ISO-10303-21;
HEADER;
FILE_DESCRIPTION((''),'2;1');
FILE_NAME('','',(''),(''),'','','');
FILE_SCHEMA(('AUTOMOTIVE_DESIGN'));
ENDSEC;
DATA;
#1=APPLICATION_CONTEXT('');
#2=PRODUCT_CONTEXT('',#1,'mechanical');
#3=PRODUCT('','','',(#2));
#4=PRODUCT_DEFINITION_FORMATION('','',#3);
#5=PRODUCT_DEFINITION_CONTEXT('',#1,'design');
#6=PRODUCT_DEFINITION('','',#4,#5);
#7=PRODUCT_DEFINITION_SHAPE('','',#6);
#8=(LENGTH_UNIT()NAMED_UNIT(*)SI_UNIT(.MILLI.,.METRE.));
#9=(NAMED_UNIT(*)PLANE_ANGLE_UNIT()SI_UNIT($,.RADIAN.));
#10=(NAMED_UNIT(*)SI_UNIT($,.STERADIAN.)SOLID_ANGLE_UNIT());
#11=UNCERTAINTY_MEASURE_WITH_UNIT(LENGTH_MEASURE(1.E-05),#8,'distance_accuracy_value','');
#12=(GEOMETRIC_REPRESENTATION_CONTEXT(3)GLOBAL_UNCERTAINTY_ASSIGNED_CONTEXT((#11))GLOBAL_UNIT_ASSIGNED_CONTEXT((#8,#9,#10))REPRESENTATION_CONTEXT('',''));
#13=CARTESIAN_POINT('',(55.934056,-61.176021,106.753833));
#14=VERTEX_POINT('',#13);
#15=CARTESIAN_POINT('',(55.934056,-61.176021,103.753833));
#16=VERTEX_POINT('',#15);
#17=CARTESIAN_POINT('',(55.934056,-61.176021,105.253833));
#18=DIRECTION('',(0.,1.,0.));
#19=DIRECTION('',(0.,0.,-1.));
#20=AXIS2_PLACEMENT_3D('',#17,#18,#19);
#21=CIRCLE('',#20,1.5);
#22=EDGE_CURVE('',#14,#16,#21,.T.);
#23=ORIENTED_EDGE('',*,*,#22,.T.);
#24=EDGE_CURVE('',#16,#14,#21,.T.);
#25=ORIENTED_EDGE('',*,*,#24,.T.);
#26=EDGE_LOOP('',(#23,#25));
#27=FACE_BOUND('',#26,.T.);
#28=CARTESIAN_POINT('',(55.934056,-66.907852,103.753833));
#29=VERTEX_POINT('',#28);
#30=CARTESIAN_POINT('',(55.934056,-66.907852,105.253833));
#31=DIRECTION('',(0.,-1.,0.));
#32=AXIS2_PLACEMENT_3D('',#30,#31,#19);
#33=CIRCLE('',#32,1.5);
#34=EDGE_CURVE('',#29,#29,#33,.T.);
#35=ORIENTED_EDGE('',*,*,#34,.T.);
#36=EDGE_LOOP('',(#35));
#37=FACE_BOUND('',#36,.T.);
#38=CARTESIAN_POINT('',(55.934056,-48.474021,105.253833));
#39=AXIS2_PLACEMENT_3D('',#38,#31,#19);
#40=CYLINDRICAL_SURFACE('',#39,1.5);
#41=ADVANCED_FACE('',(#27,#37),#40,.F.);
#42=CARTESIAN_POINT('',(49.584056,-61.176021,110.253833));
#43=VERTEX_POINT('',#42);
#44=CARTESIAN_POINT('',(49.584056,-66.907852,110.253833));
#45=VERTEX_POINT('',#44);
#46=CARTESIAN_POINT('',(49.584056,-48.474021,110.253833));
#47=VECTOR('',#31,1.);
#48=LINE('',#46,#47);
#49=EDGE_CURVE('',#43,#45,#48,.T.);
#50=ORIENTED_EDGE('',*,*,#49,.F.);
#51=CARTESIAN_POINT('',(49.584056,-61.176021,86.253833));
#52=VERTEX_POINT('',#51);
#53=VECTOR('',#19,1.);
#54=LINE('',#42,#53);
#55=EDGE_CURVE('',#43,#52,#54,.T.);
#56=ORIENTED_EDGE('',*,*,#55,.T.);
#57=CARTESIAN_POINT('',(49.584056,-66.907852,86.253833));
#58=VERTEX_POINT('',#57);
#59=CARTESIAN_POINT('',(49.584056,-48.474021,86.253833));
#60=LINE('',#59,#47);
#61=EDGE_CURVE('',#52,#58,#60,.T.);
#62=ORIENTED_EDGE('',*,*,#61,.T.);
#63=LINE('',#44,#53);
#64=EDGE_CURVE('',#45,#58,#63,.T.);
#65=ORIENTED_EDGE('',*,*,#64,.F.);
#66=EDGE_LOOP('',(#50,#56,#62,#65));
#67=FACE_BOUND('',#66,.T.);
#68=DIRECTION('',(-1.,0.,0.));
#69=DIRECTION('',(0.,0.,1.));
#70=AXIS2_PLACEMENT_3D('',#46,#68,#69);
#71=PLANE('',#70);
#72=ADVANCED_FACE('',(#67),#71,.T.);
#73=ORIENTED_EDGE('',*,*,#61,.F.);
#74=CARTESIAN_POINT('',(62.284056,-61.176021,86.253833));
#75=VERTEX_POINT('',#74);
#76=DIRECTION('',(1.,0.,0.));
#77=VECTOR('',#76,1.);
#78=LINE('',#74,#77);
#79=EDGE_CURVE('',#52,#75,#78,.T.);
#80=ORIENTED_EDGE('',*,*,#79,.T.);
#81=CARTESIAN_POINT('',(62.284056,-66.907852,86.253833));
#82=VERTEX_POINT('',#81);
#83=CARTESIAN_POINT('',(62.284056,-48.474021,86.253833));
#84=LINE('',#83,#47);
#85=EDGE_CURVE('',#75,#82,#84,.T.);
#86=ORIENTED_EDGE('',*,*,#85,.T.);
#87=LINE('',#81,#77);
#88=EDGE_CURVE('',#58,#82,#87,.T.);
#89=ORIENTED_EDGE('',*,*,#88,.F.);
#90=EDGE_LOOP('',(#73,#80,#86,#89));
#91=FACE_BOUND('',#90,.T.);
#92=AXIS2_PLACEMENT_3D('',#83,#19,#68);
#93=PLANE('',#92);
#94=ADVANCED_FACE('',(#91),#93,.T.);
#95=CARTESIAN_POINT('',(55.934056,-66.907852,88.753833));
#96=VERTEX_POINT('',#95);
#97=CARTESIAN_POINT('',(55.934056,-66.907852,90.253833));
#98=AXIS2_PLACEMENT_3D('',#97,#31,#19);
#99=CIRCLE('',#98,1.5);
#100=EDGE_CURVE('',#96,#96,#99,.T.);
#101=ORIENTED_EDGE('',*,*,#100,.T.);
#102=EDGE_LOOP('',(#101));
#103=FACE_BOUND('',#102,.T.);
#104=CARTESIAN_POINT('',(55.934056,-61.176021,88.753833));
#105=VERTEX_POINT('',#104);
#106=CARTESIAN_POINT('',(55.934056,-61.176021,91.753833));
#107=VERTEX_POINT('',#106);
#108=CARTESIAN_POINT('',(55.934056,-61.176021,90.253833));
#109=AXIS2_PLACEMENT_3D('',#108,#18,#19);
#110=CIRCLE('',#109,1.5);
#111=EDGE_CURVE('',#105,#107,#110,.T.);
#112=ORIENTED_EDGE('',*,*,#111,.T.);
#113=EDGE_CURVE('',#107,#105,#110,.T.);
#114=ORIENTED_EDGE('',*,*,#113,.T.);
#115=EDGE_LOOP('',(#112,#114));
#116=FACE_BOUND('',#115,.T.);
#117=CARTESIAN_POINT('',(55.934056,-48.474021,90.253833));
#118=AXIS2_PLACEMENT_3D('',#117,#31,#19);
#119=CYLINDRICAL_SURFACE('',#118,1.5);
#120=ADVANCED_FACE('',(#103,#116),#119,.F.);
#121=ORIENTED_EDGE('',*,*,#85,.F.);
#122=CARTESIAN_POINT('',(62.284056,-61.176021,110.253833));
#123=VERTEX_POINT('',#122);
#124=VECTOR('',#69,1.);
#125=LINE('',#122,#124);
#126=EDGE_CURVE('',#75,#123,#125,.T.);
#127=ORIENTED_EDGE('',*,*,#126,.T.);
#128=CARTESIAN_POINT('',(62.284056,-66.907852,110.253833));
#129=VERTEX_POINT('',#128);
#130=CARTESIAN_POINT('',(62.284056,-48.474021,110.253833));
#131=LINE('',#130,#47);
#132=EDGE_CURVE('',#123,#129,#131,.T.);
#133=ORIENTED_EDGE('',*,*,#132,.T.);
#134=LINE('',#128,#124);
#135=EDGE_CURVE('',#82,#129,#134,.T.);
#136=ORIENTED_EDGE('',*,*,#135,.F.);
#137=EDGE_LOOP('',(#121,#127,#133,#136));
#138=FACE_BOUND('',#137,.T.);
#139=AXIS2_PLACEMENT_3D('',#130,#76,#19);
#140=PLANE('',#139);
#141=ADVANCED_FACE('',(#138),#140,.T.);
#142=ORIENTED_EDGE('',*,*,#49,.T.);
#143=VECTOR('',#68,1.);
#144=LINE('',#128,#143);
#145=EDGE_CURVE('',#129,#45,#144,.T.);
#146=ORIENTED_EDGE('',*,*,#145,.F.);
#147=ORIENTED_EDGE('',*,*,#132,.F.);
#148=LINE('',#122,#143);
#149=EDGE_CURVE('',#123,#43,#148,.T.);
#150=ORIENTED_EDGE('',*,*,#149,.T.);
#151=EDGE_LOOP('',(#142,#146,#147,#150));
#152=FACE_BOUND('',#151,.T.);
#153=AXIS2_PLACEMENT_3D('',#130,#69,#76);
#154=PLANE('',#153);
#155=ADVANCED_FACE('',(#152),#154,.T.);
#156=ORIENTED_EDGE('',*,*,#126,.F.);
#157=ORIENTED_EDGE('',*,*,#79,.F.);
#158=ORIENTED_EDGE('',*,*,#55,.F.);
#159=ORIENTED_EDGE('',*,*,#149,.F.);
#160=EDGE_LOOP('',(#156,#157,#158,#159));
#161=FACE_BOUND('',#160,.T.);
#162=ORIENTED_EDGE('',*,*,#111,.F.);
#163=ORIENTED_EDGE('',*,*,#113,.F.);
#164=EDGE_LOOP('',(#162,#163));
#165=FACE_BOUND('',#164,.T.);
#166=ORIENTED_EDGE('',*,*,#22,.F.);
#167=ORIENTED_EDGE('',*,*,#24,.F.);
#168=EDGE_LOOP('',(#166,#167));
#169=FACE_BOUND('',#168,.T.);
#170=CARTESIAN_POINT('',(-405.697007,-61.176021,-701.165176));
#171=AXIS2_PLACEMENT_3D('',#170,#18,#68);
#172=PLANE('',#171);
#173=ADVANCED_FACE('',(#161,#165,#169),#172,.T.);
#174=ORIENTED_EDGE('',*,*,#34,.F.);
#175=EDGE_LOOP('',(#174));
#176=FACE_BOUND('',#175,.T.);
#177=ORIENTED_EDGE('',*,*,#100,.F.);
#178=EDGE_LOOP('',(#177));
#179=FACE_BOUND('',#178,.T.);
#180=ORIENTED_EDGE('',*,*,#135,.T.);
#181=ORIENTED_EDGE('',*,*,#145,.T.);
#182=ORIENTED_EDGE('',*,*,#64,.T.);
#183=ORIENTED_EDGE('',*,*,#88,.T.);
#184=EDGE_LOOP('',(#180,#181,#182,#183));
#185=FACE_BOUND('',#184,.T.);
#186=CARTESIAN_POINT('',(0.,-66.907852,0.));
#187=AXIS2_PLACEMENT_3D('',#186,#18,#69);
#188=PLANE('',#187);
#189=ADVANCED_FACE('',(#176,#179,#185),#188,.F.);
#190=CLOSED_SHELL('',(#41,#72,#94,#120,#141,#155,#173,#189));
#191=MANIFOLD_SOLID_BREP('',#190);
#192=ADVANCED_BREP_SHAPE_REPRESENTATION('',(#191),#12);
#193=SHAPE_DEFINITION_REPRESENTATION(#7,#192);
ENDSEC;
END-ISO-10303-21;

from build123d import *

# Parameters (mm, degrees)
SKETCH1_W           = 12.7
SKETCH1_H           = 24
SKETCH1_R           = 1.5
BOSS_EXTRUDE1_DEPTH = 5.731831


with BuildPart() as part:
    # Sketch1 → Boss-Extrude1 (new body)
    with BuildSketch(Plane(origin=(0, -66.907851618, 0), x_dir=(-1, 0, 0), z_dir=(0, -1, 0))):
        with Locations((-55.934056303, -98.2538327)):
            Rectangle(SKETCH1_W, SKETCH1_H)
        with Locations(Location((-55.934056303, -90.2538327, 0), (0, 0, 90))):
            Circle(SKETCH1_R, mode=Mode.SUBTRACT)
        with Locations(Location((-55.934056303, -105.2538327, 0), (0, 0, 90))):
            Circle(SKETCH1_R, mode=Mode.SUBTRACT)
    extrude(amount=-BOSS_EXTRUDE1_DEPTH)


solid = part.part
